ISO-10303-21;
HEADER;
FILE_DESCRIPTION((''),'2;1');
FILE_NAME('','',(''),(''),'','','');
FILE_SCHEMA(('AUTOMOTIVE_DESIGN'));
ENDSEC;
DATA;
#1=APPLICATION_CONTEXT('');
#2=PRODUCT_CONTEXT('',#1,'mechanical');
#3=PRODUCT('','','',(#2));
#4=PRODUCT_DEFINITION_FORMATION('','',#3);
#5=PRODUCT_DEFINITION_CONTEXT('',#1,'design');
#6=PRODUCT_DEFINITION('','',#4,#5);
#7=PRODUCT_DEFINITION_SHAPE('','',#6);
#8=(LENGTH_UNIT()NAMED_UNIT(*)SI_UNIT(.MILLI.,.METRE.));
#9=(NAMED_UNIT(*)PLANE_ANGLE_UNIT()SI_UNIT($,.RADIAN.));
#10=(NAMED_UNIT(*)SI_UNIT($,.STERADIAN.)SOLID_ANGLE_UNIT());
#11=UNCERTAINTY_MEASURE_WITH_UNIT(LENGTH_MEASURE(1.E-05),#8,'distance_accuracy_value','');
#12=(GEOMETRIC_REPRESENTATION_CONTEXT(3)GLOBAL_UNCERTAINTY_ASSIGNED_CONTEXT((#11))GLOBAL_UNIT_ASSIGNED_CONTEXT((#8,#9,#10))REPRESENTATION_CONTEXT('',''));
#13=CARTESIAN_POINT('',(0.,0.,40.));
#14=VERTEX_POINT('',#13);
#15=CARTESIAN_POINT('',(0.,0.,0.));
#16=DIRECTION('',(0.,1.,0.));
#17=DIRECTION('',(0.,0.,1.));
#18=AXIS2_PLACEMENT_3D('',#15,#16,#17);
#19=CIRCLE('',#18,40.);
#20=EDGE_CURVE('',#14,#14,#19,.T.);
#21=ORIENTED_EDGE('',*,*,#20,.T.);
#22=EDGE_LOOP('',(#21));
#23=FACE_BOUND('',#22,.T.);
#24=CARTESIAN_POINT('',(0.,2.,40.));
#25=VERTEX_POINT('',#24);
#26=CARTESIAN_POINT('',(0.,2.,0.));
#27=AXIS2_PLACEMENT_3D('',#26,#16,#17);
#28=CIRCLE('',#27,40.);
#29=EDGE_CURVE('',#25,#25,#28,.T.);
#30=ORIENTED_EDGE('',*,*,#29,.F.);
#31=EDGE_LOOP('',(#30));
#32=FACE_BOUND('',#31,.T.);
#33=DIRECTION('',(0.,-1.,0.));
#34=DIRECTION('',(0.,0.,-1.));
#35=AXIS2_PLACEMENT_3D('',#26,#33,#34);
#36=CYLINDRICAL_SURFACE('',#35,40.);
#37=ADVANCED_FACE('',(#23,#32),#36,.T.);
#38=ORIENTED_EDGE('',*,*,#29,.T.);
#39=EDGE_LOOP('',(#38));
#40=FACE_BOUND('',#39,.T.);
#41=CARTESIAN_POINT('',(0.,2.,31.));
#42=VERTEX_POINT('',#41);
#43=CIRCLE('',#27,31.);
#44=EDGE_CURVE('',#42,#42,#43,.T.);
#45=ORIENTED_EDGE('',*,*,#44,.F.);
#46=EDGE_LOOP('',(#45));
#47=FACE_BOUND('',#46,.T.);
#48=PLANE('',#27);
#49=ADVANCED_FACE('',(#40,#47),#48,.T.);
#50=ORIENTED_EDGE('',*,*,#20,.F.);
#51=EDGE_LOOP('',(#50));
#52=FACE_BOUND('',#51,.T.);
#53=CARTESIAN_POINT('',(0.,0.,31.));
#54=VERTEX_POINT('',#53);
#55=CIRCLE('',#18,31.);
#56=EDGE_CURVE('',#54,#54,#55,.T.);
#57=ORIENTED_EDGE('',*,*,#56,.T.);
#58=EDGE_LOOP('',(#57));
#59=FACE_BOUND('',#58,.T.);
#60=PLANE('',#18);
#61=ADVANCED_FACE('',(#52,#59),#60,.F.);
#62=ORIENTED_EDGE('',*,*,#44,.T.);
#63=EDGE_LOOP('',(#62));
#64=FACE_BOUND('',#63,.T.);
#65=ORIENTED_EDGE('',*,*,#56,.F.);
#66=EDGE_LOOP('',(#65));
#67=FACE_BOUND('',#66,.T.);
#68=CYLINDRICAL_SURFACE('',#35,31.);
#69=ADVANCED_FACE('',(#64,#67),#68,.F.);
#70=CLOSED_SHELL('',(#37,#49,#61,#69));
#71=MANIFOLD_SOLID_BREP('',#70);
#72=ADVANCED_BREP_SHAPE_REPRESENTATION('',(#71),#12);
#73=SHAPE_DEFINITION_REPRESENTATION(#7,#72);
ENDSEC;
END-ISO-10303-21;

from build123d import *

# Parameters (mm, degrees)
SCHIZZO1_R        = 40
SCHIZZO1_R_2      = 31
ESTRUSIONE1_DEPTH = 2


with BuildPart() as part:
    # Schizzo1 → Estrusione1 (new body)
    with BuildSketch(Plane(origin=(0, 0, 0), x_dir=(1, 0, 0), z_dir=(0, 1, 0))):
        with Locations(Location((0, 0, 0), (0, 0, 270))):
            Circle(SCHIZZO1_R)
        with Locations(Location((0, 0, 0), (0, 0, 270))):
            Circle(SCHIZZO1_R_2, mode=Mode.SUBTRACT)
    extrude(amount=ESTRUSIONE1_DEPTH)


solid = part.part
